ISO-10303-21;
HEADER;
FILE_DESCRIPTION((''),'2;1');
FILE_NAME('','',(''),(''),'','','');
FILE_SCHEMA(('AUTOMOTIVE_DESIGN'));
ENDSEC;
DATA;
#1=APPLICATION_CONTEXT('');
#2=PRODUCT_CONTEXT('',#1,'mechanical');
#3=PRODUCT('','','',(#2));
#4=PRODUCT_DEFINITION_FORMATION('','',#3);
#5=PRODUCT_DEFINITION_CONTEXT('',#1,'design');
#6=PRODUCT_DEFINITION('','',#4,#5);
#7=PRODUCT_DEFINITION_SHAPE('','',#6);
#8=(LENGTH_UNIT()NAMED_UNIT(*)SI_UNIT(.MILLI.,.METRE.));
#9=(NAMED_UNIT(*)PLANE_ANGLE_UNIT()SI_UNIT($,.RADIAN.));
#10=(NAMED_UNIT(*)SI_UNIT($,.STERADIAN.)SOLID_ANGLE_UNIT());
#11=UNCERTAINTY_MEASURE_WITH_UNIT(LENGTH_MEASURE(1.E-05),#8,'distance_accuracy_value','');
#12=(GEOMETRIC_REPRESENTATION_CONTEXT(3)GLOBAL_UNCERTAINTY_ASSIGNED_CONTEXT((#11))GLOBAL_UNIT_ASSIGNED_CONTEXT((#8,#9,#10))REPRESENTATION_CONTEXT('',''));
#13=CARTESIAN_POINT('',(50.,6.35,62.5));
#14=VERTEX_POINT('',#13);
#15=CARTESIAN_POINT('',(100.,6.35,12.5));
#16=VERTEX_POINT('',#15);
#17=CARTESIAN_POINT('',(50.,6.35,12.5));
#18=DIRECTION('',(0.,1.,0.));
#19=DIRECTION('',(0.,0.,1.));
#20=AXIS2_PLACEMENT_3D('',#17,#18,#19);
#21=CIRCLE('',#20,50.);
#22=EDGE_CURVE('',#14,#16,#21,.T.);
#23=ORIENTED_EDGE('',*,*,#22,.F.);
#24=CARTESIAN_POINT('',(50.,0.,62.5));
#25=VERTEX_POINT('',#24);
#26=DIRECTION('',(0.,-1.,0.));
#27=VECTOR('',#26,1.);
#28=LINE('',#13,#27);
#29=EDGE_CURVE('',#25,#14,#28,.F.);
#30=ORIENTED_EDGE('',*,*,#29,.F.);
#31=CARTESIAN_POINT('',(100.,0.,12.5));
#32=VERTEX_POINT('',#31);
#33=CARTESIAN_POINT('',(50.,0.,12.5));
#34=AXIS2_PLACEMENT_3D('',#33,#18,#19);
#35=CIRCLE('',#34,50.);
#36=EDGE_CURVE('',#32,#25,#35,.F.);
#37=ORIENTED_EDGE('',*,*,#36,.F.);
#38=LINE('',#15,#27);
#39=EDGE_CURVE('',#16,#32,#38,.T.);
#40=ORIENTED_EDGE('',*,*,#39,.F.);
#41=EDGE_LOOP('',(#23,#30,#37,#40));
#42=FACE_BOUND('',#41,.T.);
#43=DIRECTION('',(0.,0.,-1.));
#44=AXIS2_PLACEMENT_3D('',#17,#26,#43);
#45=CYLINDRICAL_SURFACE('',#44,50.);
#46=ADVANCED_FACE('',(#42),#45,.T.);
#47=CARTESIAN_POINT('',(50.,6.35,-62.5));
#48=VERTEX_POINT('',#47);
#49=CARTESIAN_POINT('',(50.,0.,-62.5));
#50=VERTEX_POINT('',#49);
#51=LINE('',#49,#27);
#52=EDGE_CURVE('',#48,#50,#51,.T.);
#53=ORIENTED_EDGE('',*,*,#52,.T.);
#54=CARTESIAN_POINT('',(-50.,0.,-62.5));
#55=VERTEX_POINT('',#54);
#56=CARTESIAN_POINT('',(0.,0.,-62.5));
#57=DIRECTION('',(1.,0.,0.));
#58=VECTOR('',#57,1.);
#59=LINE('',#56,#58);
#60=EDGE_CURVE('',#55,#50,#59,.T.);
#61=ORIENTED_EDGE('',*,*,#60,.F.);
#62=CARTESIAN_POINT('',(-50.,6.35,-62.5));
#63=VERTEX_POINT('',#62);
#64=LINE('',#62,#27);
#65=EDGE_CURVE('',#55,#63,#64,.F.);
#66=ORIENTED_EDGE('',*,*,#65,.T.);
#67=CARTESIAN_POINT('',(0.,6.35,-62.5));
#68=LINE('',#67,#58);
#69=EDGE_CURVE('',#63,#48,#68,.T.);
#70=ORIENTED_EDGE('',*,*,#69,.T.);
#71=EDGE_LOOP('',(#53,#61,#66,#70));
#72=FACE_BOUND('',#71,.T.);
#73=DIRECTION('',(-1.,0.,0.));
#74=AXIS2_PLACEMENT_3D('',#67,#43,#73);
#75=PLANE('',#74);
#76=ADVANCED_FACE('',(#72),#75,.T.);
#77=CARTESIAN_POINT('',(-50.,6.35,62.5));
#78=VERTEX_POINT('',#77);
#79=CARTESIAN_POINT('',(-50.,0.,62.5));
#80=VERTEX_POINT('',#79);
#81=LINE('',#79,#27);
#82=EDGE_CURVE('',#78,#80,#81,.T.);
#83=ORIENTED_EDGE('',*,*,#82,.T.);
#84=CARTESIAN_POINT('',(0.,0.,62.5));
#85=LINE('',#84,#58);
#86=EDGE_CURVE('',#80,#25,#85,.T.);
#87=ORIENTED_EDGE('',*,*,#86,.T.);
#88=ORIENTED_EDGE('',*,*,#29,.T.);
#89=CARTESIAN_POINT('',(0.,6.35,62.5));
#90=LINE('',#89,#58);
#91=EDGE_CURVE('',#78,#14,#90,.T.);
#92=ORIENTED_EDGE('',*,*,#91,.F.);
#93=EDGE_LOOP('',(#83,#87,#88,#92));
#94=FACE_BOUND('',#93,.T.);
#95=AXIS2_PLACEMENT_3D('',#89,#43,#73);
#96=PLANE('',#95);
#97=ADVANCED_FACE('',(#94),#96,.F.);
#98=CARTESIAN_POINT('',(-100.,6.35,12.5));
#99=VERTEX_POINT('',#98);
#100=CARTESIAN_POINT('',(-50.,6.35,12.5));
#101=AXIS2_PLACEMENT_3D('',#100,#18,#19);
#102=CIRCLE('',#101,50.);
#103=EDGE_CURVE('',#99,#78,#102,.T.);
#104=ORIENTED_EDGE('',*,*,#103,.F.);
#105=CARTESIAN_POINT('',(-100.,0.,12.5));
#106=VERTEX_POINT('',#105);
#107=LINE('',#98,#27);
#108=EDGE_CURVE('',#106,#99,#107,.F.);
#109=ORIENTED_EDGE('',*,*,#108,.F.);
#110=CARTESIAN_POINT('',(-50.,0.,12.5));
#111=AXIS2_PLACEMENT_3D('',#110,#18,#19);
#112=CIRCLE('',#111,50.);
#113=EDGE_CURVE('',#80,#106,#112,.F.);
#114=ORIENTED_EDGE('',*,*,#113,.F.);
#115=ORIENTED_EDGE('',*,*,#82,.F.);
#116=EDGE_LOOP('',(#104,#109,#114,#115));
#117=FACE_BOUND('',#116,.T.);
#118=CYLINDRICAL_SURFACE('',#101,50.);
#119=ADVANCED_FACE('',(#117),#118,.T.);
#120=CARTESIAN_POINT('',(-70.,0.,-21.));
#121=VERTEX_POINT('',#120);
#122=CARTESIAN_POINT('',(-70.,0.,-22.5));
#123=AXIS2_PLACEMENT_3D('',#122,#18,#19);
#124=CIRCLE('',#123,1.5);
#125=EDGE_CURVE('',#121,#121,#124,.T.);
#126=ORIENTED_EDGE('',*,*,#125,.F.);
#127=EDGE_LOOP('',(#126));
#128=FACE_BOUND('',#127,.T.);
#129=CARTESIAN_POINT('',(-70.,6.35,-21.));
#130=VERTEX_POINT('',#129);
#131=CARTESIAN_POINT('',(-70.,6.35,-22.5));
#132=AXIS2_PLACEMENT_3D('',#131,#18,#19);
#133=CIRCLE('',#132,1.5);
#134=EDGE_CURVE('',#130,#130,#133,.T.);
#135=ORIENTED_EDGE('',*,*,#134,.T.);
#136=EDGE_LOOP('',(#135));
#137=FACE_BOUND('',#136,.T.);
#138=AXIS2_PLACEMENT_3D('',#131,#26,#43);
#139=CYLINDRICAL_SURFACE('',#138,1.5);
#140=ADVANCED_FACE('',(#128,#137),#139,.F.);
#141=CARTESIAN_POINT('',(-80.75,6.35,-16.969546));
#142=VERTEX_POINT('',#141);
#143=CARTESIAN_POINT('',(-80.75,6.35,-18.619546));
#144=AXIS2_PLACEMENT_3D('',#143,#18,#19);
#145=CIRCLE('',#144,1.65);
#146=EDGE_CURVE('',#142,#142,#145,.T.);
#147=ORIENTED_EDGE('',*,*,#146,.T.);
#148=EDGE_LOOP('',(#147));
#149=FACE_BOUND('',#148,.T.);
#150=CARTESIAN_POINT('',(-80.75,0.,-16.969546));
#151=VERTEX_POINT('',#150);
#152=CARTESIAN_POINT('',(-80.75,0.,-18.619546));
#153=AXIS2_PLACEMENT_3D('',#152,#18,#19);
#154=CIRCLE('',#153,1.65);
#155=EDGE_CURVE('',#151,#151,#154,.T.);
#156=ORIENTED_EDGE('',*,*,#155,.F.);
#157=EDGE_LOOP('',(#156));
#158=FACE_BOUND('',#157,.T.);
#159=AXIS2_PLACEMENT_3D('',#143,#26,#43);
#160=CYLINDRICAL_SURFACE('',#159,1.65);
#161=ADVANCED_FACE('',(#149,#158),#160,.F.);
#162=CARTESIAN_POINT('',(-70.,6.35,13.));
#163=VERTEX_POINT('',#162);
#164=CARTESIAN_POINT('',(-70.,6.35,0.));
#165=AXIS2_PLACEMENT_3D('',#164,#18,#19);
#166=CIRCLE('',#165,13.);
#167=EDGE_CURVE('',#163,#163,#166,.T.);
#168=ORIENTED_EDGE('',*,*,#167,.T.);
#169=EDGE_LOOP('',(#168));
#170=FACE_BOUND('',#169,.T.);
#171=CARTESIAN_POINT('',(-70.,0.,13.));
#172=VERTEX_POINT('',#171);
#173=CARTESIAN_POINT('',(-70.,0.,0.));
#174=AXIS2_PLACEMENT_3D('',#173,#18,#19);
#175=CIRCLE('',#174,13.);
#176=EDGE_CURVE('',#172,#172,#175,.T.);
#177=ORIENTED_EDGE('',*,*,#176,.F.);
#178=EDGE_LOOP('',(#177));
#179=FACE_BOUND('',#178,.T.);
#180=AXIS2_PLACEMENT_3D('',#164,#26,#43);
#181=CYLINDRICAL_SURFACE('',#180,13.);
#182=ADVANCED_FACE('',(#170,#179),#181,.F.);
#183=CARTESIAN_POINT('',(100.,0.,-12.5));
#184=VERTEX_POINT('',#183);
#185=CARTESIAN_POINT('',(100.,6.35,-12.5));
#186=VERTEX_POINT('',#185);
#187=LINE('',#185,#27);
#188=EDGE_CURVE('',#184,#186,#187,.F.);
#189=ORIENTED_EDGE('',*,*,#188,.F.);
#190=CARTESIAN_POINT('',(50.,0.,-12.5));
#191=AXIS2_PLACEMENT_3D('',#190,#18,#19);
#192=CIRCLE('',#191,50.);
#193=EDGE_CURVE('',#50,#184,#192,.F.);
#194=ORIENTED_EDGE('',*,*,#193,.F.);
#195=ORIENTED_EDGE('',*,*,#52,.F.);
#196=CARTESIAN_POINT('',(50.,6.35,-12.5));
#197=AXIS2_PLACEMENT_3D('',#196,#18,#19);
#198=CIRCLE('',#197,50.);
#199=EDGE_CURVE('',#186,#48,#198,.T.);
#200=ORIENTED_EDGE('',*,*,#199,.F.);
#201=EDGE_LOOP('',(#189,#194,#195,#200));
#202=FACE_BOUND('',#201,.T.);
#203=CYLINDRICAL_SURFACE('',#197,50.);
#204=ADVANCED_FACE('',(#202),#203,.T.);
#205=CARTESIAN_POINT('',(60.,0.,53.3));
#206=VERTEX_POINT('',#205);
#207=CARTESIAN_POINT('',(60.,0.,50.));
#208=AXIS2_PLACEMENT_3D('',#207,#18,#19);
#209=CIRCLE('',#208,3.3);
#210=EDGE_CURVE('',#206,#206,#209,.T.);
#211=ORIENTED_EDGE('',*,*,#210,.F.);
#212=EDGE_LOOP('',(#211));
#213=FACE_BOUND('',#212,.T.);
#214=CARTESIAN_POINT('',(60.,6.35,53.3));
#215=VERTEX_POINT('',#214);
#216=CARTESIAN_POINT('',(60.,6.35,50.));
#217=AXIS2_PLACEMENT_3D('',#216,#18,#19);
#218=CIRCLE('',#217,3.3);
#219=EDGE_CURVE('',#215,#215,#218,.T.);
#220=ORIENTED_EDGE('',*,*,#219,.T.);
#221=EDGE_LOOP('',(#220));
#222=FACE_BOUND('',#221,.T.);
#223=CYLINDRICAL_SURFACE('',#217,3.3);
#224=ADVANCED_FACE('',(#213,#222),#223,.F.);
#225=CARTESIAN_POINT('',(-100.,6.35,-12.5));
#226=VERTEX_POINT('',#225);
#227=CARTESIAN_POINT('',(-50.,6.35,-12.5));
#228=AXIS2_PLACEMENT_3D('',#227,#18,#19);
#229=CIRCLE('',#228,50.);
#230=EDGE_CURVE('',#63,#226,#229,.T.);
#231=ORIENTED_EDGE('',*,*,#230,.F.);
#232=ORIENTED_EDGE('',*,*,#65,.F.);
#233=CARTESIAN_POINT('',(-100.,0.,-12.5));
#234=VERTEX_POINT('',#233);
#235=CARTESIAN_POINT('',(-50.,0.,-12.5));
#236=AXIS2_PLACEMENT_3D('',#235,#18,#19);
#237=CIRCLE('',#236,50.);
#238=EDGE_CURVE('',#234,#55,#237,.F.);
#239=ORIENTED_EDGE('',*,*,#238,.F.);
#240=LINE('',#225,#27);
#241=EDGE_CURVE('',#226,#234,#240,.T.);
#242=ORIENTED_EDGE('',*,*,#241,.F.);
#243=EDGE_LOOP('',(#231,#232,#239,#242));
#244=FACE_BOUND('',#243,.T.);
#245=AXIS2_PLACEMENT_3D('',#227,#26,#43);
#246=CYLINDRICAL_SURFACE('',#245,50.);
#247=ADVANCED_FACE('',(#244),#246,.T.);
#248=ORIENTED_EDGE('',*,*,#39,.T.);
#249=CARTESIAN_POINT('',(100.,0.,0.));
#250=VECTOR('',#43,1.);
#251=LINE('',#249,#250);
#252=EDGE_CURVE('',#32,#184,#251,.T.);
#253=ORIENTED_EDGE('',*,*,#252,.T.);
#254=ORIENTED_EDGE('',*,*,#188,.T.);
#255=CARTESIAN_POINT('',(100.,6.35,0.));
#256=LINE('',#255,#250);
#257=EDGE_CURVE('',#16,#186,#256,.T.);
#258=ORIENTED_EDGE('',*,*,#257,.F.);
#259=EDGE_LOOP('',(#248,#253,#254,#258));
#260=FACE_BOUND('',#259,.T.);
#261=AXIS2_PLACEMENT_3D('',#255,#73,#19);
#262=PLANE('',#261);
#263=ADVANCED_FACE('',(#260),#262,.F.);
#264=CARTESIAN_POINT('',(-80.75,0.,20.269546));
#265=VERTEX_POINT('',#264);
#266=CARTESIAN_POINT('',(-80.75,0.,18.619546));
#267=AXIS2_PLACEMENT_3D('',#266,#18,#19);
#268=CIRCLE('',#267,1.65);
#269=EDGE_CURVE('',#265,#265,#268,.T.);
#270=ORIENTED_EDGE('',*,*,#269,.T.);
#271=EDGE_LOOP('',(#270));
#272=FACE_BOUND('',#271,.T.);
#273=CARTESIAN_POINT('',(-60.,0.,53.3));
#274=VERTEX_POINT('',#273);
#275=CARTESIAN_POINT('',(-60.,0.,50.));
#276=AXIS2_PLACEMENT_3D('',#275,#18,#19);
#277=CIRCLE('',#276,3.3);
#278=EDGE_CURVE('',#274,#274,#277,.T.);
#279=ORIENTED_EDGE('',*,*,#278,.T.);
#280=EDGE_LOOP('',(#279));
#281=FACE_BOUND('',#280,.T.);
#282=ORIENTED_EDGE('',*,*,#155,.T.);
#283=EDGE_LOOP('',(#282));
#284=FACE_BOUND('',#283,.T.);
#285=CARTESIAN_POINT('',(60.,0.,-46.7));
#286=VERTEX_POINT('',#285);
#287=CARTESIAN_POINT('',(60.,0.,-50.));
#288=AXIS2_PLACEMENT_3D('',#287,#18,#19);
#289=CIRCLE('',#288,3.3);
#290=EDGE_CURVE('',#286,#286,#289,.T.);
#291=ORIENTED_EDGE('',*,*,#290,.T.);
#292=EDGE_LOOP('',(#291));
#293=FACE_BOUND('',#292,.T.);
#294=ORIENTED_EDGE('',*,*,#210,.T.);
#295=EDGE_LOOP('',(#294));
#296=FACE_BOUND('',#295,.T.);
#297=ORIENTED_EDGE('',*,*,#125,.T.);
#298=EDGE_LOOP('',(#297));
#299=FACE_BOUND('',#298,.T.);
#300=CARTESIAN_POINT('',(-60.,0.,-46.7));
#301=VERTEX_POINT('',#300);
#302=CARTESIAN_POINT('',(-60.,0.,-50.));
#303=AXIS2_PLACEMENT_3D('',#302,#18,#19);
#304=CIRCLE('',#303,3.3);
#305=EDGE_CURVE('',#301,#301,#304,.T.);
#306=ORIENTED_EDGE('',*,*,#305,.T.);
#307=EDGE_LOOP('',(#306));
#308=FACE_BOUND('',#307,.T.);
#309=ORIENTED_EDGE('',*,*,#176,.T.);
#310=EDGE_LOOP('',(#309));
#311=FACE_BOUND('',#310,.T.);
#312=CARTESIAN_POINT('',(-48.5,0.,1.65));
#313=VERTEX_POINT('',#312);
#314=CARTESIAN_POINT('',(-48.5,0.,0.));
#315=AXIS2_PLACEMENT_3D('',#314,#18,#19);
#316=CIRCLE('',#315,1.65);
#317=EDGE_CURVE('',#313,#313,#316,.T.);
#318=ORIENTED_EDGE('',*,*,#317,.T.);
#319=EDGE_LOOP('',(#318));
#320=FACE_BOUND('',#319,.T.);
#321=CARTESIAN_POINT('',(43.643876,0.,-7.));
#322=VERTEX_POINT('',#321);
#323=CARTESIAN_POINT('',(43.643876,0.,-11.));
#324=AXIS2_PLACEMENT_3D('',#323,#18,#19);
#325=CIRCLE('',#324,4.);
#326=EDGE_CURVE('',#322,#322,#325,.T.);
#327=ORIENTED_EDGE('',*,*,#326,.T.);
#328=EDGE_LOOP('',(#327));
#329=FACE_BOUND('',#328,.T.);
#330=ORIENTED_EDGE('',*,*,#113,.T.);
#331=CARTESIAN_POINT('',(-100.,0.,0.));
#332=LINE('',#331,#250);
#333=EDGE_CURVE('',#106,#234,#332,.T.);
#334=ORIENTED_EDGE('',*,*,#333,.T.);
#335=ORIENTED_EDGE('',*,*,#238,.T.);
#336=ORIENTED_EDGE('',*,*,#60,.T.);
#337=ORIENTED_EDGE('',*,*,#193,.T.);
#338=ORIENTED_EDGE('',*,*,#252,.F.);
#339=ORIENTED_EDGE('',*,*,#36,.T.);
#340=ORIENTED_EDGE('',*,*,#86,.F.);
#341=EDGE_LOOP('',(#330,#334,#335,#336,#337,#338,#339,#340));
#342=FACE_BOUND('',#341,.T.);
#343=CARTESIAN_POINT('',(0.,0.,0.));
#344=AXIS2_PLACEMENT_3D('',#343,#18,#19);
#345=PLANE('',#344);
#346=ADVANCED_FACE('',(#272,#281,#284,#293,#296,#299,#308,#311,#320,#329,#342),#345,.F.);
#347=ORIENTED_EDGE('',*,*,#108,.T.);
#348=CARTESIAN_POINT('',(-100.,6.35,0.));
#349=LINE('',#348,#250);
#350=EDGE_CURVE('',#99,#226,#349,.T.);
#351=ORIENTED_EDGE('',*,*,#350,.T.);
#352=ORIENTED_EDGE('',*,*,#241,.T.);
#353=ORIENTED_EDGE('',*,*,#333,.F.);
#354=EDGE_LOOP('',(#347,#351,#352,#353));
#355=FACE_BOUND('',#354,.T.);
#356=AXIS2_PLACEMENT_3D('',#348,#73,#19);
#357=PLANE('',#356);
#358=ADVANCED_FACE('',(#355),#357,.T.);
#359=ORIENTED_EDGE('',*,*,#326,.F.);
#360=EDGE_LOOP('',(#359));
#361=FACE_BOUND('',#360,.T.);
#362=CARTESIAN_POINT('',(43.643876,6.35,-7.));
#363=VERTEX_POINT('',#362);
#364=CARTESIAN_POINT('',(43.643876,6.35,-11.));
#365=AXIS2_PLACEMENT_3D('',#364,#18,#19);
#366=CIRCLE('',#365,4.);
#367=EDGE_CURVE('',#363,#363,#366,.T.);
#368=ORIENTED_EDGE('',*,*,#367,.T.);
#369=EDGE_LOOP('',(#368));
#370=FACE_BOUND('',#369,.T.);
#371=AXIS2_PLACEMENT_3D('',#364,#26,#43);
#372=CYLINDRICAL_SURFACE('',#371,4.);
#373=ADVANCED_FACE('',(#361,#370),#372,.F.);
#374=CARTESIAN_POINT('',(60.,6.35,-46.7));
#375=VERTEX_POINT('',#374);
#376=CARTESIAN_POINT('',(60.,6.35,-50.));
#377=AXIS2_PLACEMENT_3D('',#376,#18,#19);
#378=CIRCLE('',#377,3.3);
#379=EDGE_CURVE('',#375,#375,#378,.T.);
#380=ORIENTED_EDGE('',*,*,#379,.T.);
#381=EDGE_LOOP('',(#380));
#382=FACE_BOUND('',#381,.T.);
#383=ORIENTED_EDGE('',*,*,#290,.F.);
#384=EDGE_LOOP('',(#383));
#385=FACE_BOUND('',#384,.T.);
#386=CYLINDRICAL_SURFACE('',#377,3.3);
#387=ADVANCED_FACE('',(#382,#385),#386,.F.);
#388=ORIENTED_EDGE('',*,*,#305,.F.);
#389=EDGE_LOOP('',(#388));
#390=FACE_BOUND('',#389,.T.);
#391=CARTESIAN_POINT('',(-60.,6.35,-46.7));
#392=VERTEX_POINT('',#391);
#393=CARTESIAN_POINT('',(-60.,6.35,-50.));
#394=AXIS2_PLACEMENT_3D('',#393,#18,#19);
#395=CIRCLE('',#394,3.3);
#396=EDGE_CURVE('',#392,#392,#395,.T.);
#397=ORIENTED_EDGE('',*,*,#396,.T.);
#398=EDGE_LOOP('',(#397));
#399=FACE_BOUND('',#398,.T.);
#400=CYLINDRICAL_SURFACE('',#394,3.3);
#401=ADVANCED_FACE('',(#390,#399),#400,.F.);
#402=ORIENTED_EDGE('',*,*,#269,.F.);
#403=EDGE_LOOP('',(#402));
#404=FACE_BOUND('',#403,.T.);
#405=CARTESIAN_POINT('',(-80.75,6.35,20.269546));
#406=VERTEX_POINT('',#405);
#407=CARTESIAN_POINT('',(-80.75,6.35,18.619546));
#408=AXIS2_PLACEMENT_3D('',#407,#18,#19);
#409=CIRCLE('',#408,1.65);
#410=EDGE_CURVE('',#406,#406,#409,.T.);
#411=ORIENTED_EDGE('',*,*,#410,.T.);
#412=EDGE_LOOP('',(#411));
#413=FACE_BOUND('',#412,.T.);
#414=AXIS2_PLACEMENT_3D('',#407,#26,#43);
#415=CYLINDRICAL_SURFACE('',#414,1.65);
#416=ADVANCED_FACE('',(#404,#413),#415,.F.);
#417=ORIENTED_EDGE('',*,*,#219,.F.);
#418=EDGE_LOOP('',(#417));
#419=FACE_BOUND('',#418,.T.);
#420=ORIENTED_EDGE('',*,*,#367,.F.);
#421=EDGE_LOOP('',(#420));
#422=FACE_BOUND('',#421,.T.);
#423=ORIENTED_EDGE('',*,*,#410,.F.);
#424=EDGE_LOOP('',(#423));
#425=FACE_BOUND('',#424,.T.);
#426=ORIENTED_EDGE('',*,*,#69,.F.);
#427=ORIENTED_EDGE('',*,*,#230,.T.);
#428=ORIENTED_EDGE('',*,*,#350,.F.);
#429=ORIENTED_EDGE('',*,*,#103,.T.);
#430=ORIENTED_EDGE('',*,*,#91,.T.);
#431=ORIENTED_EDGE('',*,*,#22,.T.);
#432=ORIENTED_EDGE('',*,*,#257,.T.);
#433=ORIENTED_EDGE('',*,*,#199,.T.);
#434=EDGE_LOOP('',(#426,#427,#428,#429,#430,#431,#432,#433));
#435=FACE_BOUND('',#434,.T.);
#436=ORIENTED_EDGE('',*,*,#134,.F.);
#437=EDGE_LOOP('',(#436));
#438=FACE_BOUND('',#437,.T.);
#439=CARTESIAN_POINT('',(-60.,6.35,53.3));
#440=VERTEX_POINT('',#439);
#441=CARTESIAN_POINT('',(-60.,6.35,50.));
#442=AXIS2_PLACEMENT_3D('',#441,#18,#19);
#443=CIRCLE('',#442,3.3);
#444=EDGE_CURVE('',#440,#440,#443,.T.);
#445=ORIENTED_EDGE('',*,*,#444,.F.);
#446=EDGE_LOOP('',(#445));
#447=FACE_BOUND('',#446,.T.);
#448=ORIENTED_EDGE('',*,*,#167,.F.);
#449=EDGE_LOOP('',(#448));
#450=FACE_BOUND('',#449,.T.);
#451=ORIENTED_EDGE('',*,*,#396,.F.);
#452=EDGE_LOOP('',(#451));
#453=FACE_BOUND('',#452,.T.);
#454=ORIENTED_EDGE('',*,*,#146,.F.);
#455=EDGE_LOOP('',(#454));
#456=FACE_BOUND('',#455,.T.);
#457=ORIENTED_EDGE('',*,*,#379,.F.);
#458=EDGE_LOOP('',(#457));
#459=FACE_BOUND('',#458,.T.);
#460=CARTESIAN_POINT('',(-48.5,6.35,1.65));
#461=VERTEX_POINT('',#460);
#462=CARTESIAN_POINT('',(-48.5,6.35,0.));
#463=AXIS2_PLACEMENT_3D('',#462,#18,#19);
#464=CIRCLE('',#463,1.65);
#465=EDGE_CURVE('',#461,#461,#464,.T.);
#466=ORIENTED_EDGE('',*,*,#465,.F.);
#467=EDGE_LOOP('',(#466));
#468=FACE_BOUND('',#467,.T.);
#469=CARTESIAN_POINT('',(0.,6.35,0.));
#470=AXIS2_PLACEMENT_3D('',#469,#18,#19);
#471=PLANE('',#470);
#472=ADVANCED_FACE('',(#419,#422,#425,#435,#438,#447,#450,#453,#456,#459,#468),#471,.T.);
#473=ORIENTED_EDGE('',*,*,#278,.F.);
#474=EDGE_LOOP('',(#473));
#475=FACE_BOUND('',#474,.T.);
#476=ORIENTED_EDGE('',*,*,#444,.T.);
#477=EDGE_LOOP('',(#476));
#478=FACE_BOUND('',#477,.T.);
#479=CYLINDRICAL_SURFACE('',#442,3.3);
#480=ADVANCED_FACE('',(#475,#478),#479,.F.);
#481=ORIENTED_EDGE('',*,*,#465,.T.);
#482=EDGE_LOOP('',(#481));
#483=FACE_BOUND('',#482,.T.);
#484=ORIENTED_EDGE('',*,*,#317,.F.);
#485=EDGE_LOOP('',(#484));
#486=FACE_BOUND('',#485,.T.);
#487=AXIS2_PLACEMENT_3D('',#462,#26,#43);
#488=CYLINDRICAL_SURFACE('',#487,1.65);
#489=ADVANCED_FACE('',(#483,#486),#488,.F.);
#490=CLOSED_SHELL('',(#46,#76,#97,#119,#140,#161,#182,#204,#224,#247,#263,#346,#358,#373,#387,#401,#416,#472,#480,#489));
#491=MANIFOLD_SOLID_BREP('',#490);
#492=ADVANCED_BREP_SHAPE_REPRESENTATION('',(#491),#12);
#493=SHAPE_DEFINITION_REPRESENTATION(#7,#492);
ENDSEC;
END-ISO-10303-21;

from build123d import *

# Parameters (mm, degrees)
SKETCH2_W                = 200
SKETCH2_H                = 125
SKETCH2_R                = 1.65
SKETCH2_R_2              = 13
SKETCH2_R_3              = 1.5
SKETCH2_R_4              = 4
BOSS_EXTRUDE1_DEPTH      = 6.35
FILLET1_R                = 50
M6_CLEARANCE_HOLE1_D     = 6.6
M6_CLEARANCE_HOLE1_DEPTH = 15
M6_CLEARANCE_HOLE1_TIP   = 1.982840043


with BuildPart() as part:
    # Sketch2 → Boss-Extrude1 (new body)
    with BuildSketch(Plane(origin=(0, 0, 0), x_dir=(1, 0, 0), z_dir=(0, 1, 0))):
        Rectangle(SKETCH2_W, SKETCH2_H)
        with Locations(Location((-48.5, 0, 0), (0, 0, 270))):
            Circle(SKETCH2_R, mode=Mode.SUBTRACT)
        with Locations(Location((-80.75, -18.619546181, 0), (0, 0, 270))):
            Circle(SKETCH2_R, mode=Mode.SUBTRACT)
        with Locations(Location((-70, 0, 0), (0, 0, 270))):
            Circle(SKETCH2_R_2, mode=Mode.SUBTRACT)
        with Locations(Location((-80.75, 18.619546181, 0), (0, 0, 270))):
            Circle(SKETCH2_R, mode=Mode.SUBTRACT)
        with Locations(Location((-70, 22.5, 0), (0, 0, 270))):
            Circle(SKETCH2_R_3, mode=Mode.SUBTRACT)
        with Locations(Location((43.64387632, 11, 0), (0, 0, 270))):
            Circle(SKETCH2_R_4, mode=Mode.SUBTRACT)
    extrude(amount=BOSS_EXTRUDE1_DEPTH)

    # Fillet1
    fillet1_edges = [part.edges().sort_by_distance(p)[0] for p in [
        (-100, 3.175, 62.5),
        (-100, 3.175, -62.5),
        (100, 3.175, -62.5),
        (100, 3.175, 62.5),
    ]]
    fillet(fillet1_edges, radius=FILLET1_R)

    # M6 Clearance Hole1
    with Locations(Plane(origin=(0, 6.35, 0), x_dir=(1, 0, 0), z_dir=(0, 1, 0))):
        with Locations((60, 50), (-60, -50), (-60, 50), (60, -50)):
            Hole(M6_CLEARANCE_HOLE1_D / 2, depth=M6_CLEARANCE_HOLE1_DEPTH)
            with Locations((0, 0, -(M6_CLEARANCE_HOLE1_DEPTH + M6_CLEARANCE_HOLE1_TIP / 2))):  # 118° drill point
                Cone(0, M6_CLEARANCE_HOLE1_D / 2, M6_CLEARANCE_HOLE1_TIP, mode=Mode.SUBTRACT)


solid = part.part
